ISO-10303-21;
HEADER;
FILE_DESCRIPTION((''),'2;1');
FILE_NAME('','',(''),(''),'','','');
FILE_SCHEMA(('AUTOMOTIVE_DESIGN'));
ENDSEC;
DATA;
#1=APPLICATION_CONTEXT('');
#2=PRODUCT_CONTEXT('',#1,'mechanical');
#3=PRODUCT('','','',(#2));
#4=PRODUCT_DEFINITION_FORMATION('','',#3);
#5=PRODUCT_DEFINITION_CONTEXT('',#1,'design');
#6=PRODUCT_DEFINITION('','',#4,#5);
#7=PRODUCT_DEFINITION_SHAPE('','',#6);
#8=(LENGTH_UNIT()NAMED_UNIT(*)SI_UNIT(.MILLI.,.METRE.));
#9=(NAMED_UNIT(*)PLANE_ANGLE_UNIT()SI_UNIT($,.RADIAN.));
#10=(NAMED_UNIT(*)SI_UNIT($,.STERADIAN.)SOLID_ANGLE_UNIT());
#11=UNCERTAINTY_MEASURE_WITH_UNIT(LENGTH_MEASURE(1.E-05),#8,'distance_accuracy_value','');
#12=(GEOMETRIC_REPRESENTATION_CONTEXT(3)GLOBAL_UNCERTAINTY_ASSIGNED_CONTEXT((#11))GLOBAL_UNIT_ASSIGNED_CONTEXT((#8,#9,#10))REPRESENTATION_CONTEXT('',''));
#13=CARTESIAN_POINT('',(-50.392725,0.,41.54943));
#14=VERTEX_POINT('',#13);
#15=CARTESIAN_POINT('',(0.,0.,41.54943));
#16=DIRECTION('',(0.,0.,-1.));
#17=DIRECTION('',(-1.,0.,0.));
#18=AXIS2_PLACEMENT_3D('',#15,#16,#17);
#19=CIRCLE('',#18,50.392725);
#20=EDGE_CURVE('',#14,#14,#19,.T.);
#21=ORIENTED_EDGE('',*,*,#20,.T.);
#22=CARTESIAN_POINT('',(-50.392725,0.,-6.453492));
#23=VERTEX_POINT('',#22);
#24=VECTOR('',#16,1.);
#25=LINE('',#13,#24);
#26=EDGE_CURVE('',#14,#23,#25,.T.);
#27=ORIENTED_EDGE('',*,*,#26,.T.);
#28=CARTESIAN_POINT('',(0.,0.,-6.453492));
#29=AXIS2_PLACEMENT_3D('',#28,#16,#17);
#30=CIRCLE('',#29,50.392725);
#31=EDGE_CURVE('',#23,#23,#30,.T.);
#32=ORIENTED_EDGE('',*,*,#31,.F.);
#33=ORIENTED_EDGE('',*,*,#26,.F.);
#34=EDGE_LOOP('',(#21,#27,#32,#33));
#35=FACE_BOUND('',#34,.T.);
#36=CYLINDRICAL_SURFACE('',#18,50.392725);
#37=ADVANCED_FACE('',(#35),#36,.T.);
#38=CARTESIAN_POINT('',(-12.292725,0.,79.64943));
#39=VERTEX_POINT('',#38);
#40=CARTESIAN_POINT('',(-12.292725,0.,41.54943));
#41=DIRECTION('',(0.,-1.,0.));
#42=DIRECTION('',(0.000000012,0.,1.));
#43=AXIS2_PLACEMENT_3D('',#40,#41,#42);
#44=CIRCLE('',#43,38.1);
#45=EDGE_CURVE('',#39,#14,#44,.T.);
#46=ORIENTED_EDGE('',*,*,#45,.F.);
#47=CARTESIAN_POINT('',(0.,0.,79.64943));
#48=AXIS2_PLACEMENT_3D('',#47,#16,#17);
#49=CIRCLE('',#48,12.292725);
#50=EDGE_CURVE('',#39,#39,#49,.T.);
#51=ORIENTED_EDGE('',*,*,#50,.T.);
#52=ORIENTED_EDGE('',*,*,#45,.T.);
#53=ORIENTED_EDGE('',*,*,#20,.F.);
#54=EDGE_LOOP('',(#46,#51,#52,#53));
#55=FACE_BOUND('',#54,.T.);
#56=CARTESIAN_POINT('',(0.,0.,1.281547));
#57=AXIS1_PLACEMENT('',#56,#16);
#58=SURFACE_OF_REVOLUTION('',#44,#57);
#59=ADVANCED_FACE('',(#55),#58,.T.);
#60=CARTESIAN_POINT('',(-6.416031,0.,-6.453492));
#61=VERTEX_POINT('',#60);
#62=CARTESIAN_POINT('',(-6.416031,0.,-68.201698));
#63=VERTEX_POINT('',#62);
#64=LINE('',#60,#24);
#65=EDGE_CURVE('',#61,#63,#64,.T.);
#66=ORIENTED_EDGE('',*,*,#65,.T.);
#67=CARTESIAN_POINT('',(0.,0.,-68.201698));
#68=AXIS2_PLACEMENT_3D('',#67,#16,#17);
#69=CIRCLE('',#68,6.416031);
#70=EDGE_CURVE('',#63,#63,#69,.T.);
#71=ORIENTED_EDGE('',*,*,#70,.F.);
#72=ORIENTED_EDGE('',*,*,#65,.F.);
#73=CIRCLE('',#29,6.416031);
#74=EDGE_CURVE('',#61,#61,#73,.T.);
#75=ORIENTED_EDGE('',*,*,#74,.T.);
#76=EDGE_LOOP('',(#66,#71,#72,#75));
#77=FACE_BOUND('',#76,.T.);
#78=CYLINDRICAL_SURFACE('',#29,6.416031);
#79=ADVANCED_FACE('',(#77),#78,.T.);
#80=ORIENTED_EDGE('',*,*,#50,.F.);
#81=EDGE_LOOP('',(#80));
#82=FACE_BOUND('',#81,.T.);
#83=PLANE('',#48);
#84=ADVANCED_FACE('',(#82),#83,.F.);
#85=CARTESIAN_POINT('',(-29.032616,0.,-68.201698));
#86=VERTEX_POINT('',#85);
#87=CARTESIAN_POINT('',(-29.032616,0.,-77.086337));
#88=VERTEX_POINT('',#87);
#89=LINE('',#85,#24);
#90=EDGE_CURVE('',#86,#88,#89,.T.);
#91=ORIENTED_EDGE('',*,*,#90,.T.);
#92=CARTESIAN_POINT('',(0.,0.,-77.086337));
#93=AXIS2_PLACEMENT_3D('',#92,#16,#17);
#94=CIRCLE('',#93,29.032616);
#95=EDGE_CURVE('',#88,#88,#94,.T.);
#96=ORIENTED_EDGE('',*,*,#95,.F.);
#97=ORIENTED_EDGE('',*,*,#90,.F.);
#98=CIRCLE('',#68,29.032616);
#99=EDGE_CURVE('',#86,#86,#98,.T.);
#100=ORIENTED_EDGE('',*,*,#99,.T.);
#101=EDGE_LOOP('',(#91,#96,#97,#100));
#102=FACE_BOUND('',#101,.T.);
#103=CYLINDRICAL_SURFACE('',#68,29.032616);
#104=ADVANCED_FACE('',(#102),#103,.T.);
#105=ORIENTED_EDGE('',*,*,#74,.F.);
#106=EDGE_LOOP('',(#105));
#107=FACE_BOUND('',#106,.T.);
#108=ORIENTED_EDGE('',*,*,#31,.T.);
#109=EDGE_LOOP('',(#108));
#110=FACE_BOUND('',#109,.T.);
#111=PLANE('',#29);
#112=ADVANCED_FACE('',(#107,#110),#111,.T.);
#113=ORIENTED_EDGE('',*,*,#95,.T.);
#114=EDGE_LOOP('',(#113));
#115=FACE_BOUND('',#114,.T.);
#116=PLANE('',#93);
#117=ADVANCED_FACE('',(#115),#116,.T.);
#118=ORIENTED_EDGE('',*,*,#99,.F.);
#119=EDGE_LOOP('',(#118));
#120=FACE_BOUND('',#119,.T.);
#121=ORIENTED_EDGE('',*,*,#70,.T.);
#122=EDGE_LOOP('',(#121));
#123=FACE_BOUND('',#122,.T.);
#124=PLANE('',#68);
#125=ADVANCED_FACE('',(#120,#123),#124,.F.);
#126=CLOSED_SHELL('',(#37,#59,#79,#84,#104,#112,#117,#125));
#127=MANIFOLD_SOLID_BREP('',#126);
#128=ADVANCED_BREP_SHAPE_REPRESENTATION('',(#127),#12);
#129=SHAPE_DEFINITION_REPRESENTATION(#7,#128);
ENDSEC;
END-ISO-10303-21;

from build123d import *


with BuildPart() as f1:
    # F0 (on Front) → F1 (revolve)
    with BuildSketch(Plane.XZ):
        with BuildLine():
            Line((-29.032616, -77.086337), (0, -77.086337))
            Line((0, -77.086337), (0, 79.64943))
            Line((0, 79.64943), (-12.292725, 79.64943))
            ThreePointArc((-12.292725, 79.64943), (-39.233493, 68.490199), (-50.392725, 41.54943))
            Line((-50.392725, 41.54943), (-50.392725, -6.453492))
            Line((-50.392725, -6.453492), (-6.416031, -6.453492))
            Line((-6.416031, -6.453492), (-6.416031, -68.201698))
            Line((-6.416031, -68.201698), (-29.032616, -68.201698))
            Line((-29.032616, -68.201698), (-29.032616, -77.086337))
        make_face()
    revolve(axis=Axis((0, 0, 1.281547), (0, 0, -1)))


solid = f1.part
